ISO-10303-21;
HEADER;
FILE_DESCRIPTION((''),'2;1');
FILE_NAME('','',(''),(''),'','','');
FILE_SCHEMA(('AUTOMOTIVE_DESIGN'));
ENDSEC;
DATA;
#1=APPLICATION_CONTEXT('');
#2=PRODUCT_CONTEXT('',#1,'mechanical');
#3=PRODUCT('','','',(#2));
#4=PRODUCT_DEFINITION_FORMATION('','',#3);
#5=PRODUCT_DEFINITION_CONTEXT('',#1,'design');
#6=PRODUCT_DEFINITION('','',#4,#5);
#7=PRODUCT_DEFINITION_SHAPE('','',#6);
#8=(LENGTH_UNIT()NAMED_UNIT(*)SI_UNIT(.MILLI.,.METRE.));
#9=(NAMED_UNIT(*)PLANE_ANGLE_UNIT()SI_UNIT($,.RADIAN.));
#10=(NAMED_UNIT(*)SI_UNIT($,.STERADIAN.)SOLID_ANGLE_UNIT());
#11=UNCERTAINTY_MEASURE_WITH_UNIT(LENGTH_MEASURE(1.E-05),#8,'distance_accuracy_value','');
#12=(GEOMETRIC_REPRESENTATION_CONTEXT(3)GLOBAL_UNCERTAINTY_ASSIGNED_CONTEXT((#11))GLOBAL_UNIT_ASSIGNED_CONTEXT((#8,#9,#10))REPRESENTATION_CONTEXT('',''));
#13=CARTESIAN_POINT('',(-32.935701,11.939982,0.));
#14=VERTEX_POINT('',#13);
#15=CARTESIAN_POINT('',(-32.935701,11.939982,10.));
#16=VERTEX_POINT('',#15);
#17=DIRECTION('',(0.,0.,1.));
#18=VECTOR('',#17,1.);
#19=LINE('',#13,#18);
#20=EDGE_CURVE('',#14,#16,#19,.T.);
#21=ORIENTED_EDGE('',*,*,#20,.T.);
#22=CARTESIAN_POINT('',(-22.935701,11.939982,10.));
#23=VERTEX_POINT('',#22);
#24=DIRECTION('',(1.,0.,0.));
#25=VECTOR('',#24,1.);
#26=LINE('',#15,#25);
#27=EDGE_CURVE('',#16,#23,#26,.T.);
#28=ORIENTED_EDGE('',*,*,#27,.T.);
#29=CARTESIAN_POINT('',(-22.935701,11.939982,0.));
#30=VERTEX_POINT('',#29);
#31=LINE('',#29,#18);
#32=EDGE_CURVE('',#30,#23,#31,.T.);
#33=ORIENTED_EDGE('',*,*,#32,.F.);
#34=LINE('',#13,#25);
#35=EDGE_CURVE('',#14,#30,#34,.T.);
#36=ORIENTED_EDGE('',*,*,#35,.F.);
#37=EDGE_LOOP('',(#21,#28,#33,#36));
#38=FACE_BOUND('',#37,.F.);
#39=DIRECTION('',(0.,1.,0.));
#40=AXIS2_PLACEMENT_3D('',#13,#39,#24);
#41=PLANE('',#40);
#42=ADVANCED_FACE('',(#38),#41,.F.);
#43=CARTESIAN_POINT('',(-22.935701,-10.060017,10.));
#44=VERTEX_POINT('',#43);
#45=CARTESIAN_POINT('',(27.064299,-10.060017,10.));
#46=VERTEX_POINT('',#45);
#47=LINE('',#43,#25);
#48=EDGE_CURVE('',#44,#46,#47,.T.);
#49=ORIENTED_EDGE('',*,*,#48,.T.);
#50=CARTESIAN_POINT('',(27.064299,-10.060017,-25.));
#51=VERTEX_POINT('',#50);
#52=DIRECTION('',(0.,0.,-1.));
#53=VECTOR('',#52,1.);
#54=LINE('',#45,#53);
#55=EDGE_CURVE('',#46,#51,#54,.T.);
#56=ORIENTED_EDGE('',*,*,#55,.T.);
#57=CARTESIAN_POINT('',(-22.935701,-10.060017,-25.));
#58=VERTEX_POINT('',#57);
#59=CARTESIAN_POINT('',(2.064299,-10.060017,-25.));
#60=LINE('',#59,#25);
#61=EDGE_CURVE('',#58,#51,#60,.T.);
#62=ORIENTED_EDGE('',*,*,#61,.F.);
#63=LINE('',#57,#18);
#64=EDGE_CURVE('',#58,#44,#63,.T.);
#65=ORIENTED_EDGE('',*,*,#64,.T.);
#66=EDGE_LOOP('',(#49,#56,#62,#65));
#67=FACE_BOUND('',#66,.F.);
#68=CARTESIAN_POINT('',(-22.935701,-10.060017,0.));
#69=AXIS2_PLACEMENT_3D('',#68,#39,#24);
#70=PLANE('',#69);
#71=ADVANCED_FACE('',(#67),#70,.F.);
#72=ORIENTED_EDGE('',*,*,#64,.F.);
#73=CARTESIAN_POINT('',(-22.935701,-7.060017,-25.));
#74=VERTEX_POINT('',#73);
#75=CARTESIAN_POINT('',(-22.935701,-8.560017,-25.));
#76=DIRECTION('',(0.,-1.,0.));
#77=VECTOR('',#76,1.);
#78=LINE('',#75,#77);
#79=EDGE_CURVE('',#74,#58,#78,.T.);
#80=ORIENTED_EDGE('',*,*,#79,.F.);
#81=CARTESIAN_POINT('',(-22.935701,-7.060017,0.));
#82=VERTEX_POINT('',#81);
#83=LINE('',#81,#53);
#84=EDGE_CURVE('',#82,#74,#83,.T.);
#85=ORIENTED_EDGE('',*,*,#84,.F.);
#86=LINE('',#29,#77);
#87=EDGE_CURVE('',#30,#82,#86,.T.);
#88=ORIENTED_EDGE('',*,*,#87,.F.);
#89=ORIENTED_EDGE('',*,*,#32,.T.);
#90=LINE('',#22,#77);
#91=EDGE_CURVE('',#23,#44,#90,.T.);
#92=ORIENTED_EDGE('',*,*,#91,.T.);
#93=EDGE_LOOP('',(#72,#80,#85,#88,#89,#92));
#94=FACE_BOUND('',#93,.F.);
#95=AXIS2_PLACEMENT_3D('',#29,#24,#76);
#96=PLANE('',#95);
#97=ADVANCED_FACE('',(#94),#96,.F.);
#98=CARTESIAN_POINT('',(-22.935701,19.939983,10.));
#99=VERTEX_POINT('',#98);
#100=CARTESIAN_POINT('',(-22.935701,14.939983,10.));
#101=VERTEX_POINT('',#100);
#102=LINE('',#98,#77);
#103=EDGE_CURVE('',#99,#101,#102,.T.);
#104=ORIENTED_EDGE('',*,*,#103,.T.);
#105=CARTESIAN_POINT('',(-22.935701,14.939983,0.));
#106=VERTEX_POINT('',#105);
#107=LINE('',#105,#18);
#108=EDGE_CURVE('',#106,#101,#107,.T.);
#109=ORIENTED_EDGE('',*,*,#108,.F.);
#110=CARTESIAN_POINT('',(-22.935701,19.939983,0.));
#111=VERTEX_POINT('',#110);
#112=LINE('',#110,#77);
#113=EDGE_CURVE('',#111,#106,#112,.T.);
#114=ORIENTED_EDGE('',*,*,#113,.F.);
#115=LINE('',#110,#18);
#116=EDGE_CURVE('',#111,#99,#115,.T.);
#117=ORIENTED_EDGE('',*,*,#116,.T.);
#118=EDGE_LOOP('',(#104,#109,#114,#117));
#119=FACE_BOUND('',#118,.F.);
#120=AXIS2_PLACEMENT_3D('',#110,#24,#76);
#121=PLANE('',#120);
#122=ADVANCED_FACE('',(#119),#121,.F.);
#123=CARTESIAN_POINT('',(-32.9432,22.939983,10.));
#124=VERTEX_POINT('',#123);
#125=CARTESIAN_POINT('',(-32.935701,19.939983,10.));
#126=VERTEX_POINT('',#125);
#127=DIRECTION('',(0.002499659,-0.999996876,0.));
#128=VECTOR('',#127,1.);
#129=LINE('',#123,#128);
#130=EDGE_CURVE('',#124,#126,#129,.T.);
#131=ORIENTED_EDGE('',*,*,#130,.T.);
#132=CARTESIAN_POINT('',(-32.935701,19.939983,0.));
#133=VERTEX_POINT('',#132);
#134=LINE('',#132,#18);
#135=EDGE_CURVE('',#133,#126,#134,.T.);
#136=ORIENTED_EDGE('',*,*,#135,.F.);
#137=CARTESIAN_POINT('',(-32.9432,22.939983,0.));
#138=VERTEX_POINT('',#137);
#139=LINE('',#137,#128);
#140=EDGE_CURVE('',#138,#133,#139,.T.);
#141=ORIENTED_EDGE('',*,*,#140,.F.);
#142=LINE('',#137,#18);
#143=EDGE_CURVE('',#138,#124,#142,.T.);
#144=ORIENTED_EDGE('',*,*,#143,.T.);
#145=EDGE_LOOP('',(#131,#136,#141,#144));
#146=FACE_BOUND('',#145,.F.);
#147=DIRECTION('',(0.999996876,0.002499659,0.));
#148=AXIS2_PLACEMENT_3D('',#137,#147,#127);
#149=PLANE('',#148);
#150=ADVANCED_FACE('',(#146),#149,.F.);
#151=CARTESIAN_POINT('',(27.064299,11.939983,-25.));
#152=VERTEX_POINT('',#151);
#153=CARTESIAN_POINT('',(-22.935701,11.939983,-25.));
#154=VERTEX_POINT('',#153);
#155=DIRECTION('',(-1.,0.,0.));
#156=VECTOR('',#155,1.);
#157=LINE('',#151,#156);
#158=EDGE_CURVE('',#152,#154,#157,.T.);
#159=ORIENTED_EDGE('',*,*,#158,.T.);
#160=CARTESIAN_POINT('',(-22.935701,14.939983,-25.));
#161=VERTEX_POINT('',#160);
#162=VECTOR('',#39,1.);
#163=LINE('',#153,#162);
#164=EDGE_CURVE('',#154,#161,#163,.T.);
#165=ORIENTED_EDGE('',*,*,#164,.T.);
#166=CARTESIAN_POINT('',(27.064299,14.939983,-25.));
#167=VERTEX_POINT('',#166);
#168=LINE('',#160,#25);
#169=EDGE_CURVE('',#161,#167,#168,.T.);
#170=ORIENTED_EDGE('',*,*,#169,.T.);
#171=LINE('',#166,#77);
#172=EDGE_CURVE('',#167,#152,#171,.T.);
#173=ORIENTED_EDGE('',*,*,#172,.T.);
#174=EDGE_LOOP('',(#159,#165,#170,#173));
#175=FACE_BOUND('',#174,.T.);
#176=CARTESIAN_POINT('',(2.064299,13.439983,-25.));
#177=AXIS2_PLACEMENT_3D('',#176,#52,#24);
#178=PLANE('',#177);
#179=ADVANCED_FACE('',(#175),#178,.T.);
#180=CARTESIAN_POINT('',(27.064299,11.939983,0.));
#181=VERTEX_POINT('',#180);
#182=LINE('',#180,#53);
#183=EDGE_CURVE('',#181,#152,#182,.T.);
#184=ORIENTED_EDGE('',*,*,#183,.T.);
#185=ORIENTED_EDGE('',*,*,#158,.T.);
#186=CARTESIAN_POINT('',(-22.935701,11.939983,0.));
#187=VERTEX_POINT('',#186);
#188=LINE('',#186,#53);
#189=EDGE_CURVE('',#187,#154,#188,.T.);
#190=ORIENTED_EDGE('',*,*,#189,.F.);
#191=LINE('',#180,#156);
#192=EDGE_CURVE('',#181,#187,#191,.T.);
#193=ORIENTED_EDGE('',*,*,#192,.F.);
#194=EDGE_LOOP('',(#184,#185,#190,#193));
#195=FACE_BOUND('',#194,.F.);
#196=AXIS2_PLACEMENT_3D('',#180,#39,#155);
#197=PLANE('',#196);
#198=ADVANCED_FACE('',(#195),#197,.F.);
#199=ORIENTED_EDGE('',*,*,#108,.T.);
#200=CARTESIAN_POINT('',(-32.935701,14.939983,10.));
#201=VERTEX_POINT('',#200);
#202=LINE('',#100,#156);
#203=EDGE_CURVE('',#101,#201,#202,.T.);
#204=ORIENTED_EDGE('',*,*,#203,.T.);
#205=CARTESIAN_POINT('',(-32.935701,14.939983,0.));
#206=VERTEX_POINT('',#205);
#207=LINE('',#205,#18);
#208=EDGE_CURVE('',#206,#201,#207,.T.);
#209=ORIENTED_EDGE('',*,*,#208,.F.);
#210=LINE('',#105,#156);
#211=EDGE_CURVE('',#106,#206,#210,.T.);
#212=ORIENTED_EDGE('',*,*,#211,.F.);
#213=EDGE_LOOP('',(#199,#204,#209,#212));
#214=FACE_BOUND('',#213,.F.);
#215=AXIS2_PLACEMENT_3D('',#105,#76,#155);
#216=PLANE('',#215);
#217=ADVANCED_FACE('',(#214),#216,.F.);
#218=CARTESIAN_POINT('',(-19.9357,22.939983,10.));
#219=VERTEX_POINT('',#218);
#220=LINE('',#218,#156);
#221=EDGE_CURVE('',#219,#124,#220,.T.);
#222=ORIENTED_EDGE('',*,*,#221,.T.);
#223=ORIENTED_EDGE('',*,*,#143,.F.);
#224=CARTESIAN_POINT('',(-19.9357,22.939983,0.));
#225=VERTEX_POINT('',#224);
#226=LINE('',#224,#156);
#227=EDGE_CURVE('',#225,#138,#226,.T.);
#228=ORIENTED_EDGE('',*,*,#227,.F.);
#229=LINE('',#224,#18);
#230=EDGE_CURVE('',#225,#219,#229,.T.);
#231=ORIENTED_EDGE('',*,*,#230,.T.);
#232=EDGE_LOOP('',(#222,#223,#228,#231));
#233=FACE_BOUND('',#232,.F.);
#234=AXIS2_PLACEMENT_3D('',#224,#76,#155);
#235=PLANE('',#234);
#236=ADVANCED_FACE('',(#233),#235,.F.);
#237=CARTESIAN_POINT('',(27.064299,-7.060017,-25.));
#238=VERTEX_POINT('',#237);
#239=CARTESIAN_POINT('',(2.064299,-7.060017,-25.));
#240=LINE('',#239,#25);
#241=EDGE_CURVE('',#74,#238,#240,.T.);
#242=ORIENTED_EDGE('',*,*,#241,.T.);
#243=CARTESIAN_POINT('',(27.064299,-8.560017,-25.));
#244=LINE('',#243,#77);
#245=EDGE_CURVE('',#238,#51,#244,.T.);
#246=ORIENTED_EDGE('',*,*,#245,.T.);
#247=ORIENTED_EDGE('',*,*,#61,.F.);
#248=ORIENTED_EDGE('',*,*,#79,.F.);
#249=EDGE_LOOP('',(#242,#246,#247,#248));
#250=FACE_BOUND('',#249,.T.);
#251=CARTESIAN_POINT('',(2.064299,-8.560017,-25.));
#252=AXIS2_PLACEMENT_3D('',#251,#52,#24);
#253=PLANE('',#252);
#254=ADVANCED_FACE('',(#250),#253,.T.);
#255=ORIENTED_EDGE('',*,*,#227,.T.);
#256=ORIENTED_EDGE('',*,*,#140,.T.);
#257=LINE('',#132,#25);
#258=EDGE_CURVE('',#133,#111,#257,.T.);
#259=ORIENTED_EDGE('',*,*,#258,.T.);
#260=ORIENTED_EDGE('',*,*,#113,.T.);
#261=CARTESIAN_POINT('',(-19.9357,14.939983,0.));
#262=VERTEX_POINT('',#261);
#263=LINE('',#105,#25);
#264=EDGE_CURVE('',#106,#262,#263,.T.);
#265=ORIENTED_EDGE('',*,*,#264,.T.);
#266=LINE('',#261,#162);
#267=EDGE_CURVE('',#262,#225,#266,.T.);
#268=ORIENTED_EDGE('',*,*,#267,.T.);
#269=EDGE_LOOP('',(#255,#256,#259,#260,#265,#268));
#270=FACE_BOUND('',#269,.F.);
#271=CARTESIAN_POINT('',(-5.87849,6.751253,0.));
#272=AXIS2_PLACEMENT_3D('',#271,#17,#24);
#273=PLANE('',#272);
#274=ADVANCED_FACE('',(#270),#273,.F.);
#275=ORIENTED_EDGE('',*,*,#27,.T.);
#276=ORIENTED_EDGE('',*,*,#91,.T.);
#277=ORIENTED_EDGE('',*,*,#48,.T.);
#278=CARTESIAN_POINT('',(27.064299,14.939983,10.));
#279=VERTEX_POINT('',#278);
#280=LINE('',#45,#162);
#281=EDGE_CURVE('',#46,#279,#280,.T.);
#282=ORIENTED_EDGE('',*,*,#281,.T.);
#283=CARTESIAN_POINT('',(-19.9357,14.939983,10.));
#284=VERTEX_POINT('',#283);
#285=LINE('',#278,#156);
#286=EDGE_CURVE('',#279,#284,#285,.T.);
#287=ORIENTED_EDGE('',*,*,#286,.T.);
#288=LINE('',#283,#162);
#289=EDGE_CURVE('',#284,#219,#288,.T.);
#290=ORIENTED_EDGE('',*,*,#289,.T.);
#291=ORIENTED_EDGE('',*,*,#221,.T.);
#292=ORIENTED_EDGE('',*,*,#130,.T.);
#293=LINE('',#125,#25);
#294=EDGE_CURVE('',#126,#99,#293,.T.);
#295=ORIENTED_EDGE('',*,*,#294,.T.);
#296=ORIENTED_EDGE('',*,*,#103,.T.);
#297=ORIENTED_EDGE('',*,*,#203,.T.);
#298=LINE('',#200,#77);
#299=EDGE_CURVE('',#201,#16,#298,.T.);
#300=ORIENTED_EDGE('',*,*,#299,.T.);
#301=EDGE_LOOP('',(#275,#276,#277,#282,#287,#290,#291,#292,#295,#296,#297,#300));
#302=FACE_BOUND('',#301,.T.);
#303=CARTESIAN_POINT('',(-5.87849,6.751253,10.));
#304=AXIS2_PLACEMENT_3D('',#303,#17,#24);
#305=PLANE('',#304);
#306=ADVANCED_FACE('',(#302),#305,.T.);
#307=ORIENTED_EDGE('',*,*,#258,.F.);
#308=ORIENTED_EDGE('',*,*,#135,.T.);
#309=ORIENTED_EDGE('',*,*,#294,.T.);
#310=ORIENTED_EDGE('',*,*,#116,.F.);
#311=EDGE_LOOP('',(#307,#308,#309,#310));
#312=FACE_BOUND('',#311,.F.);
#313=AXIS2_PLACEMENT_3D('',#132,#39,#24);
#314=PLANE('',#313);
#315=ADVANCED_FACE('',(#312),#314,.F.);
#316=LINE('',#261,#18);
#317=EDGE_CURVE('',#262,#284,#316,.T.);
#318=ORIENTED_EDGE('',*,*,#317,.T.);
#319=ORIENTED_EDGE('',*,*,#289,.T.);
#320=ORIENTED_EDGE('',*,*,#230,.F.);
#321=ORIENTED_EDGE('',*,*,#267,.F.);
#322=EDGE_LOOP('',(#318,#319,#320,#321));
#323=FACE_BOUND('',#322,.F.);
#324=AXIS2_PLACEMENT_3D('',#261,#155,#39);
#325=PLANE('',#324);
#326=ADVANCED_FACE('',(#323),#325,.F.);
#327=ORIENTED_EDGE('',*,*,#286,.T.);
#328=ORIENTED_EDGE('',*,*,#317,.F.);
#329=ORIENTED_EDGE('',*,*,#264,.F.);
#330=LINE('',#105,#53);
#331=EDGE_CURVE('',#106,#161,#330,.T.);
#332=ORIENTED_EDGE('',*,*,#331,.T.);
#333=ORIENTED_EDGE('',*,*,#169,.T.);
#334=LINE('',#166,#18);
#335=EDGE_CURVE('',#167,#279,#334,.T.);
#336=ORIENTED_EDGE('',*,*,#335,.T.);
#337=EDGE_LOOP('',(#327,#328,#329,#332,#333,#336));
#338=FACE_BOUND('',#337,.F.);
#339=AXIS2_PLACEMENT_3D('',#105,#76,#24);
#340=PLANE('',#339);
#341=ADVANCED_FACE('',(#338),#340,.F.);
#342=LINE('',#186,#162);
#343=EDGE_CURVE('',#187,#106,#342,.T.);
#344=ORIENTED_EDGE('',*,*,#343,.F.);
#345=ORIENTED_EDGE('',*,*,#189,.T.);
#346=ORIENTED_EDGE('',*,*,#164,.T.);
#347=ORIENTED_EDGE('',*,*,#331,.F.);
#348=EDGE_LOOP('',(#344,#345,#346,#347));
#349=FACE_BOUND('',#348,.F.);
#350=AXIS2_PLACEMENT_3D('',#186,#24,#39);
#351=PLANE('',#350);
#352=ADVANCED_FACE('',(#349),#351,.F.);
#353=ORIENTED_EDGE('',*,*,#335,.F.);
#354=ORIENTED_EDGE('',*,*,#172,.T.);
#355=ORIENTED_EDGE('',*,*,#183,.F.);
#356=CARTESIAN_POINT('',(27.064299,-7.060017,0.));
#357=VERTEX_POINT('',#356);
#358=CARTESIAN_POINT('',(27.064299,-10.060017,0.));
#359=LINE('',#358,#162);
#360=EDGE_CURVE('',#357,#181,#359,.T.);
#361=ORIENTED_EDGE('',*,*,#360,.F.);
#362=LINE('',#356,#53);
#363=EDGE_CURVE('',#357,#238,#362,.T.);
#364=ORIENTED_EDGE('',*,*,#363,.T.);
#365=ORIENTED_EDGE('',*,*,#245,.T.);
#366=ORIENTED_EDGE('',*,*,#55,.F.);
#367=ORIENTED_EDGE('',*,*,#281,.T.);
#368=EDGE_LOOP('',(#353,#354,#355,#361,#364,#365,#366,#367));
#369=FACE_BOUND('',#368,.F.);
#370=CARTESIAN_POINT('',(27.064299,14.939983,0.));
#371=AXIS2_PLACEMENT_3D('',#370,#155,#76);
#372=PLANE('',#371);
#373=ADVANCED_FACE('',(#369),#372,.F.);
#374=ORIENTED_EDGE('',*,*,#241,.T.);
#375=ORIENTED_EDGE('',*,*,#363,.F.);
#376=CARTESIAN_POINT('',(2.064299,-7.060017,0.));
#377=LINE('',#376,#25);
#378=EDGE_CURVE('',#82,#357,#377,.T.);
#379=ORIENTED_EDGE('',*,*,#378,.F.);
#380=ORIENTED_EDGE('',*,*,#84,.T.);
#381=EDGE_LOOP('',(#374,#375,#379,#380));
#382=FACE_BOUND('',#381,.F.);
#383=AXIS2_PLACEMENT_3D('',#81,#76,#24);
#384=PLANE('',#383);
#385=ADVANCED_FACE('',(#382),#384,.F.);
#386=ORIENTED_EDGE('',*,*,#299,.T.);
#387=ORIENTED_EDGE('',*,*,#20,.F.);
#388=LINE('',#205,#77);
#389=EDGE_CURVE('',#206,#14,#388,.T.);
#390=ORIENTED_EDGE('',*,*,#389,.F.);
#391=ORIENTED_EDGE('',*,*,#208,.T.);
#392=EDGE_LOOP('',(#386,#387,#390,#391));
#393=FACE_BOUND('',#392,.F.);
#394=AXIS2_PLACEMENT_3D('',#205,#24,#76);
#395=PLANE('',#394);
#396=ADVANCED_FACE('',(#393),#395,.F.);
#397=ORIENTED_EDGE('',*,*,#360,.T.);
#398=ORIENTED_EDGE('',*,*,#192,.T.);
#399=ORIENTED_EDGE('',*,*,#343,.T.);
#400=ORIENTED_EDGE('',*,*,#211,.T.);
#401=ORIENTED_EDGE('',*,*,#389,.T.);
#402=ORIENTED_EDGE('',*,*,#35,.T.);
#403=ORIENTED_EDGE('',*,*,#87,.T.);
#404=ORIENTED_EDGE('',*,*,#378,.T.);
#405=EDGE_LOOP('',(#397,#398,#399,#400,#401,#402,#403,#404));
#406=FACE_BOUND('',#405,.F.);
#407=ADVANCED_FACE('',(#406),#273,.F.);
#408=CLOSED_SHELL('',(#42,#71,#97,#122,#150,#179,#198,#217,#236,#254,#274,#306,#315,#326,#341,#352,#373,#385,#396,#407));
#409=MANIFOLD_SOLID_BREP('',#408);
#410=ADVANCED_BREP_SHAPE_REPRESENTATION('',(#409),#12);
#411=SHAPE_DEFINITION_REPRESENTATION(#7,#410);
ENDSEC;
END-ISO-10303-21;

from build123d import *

# Parameters (mm, degrees)
F1_DEPTH = 10
F2_W     = 50
F2_H     = 3
F3_DEPTH = 25


with BuildPart() as f1:
    # F0 (on Top) → F1 (new body)
    with BuildSketch(Plane.XY):
        Polygon((-32.9432, 22.939983), (-32.935701, 19.939983), (-22.935701, 19.939983), (-22.935701, 14.939983), (-32.935701, 14.939983), (-32.935701, 11.939982), (-22.935701, 11.939982), (-22.935701, -10.060017), (27.064299, -10.060017), (27.064299, 14.939983), (-19.9357, 14.939983), (-19.9357, 16.371092), (-19.9357, 22.939983), align=None)
    extrude(amount=F1_DEPTH)

    # F2 (on face) → F3 (join)
    with BuildSketch(Plane(origin=(0, 0, 0), x_dir=(1, 0, 0), z_dir=(0, 0, -1))):
        Polygon((27.064299, -11.939983), (-22.935701, -11.939983), (-22.935701, -14.939983), (-19.9357, -14.939983), (27.064299, -14.939983), align=None)
        with Locations((2.064299, 8.560017)):
            Rectangle(F2_W, F2_H)
    extrude(amount=F3_DEPTH)


solid = f1.part
